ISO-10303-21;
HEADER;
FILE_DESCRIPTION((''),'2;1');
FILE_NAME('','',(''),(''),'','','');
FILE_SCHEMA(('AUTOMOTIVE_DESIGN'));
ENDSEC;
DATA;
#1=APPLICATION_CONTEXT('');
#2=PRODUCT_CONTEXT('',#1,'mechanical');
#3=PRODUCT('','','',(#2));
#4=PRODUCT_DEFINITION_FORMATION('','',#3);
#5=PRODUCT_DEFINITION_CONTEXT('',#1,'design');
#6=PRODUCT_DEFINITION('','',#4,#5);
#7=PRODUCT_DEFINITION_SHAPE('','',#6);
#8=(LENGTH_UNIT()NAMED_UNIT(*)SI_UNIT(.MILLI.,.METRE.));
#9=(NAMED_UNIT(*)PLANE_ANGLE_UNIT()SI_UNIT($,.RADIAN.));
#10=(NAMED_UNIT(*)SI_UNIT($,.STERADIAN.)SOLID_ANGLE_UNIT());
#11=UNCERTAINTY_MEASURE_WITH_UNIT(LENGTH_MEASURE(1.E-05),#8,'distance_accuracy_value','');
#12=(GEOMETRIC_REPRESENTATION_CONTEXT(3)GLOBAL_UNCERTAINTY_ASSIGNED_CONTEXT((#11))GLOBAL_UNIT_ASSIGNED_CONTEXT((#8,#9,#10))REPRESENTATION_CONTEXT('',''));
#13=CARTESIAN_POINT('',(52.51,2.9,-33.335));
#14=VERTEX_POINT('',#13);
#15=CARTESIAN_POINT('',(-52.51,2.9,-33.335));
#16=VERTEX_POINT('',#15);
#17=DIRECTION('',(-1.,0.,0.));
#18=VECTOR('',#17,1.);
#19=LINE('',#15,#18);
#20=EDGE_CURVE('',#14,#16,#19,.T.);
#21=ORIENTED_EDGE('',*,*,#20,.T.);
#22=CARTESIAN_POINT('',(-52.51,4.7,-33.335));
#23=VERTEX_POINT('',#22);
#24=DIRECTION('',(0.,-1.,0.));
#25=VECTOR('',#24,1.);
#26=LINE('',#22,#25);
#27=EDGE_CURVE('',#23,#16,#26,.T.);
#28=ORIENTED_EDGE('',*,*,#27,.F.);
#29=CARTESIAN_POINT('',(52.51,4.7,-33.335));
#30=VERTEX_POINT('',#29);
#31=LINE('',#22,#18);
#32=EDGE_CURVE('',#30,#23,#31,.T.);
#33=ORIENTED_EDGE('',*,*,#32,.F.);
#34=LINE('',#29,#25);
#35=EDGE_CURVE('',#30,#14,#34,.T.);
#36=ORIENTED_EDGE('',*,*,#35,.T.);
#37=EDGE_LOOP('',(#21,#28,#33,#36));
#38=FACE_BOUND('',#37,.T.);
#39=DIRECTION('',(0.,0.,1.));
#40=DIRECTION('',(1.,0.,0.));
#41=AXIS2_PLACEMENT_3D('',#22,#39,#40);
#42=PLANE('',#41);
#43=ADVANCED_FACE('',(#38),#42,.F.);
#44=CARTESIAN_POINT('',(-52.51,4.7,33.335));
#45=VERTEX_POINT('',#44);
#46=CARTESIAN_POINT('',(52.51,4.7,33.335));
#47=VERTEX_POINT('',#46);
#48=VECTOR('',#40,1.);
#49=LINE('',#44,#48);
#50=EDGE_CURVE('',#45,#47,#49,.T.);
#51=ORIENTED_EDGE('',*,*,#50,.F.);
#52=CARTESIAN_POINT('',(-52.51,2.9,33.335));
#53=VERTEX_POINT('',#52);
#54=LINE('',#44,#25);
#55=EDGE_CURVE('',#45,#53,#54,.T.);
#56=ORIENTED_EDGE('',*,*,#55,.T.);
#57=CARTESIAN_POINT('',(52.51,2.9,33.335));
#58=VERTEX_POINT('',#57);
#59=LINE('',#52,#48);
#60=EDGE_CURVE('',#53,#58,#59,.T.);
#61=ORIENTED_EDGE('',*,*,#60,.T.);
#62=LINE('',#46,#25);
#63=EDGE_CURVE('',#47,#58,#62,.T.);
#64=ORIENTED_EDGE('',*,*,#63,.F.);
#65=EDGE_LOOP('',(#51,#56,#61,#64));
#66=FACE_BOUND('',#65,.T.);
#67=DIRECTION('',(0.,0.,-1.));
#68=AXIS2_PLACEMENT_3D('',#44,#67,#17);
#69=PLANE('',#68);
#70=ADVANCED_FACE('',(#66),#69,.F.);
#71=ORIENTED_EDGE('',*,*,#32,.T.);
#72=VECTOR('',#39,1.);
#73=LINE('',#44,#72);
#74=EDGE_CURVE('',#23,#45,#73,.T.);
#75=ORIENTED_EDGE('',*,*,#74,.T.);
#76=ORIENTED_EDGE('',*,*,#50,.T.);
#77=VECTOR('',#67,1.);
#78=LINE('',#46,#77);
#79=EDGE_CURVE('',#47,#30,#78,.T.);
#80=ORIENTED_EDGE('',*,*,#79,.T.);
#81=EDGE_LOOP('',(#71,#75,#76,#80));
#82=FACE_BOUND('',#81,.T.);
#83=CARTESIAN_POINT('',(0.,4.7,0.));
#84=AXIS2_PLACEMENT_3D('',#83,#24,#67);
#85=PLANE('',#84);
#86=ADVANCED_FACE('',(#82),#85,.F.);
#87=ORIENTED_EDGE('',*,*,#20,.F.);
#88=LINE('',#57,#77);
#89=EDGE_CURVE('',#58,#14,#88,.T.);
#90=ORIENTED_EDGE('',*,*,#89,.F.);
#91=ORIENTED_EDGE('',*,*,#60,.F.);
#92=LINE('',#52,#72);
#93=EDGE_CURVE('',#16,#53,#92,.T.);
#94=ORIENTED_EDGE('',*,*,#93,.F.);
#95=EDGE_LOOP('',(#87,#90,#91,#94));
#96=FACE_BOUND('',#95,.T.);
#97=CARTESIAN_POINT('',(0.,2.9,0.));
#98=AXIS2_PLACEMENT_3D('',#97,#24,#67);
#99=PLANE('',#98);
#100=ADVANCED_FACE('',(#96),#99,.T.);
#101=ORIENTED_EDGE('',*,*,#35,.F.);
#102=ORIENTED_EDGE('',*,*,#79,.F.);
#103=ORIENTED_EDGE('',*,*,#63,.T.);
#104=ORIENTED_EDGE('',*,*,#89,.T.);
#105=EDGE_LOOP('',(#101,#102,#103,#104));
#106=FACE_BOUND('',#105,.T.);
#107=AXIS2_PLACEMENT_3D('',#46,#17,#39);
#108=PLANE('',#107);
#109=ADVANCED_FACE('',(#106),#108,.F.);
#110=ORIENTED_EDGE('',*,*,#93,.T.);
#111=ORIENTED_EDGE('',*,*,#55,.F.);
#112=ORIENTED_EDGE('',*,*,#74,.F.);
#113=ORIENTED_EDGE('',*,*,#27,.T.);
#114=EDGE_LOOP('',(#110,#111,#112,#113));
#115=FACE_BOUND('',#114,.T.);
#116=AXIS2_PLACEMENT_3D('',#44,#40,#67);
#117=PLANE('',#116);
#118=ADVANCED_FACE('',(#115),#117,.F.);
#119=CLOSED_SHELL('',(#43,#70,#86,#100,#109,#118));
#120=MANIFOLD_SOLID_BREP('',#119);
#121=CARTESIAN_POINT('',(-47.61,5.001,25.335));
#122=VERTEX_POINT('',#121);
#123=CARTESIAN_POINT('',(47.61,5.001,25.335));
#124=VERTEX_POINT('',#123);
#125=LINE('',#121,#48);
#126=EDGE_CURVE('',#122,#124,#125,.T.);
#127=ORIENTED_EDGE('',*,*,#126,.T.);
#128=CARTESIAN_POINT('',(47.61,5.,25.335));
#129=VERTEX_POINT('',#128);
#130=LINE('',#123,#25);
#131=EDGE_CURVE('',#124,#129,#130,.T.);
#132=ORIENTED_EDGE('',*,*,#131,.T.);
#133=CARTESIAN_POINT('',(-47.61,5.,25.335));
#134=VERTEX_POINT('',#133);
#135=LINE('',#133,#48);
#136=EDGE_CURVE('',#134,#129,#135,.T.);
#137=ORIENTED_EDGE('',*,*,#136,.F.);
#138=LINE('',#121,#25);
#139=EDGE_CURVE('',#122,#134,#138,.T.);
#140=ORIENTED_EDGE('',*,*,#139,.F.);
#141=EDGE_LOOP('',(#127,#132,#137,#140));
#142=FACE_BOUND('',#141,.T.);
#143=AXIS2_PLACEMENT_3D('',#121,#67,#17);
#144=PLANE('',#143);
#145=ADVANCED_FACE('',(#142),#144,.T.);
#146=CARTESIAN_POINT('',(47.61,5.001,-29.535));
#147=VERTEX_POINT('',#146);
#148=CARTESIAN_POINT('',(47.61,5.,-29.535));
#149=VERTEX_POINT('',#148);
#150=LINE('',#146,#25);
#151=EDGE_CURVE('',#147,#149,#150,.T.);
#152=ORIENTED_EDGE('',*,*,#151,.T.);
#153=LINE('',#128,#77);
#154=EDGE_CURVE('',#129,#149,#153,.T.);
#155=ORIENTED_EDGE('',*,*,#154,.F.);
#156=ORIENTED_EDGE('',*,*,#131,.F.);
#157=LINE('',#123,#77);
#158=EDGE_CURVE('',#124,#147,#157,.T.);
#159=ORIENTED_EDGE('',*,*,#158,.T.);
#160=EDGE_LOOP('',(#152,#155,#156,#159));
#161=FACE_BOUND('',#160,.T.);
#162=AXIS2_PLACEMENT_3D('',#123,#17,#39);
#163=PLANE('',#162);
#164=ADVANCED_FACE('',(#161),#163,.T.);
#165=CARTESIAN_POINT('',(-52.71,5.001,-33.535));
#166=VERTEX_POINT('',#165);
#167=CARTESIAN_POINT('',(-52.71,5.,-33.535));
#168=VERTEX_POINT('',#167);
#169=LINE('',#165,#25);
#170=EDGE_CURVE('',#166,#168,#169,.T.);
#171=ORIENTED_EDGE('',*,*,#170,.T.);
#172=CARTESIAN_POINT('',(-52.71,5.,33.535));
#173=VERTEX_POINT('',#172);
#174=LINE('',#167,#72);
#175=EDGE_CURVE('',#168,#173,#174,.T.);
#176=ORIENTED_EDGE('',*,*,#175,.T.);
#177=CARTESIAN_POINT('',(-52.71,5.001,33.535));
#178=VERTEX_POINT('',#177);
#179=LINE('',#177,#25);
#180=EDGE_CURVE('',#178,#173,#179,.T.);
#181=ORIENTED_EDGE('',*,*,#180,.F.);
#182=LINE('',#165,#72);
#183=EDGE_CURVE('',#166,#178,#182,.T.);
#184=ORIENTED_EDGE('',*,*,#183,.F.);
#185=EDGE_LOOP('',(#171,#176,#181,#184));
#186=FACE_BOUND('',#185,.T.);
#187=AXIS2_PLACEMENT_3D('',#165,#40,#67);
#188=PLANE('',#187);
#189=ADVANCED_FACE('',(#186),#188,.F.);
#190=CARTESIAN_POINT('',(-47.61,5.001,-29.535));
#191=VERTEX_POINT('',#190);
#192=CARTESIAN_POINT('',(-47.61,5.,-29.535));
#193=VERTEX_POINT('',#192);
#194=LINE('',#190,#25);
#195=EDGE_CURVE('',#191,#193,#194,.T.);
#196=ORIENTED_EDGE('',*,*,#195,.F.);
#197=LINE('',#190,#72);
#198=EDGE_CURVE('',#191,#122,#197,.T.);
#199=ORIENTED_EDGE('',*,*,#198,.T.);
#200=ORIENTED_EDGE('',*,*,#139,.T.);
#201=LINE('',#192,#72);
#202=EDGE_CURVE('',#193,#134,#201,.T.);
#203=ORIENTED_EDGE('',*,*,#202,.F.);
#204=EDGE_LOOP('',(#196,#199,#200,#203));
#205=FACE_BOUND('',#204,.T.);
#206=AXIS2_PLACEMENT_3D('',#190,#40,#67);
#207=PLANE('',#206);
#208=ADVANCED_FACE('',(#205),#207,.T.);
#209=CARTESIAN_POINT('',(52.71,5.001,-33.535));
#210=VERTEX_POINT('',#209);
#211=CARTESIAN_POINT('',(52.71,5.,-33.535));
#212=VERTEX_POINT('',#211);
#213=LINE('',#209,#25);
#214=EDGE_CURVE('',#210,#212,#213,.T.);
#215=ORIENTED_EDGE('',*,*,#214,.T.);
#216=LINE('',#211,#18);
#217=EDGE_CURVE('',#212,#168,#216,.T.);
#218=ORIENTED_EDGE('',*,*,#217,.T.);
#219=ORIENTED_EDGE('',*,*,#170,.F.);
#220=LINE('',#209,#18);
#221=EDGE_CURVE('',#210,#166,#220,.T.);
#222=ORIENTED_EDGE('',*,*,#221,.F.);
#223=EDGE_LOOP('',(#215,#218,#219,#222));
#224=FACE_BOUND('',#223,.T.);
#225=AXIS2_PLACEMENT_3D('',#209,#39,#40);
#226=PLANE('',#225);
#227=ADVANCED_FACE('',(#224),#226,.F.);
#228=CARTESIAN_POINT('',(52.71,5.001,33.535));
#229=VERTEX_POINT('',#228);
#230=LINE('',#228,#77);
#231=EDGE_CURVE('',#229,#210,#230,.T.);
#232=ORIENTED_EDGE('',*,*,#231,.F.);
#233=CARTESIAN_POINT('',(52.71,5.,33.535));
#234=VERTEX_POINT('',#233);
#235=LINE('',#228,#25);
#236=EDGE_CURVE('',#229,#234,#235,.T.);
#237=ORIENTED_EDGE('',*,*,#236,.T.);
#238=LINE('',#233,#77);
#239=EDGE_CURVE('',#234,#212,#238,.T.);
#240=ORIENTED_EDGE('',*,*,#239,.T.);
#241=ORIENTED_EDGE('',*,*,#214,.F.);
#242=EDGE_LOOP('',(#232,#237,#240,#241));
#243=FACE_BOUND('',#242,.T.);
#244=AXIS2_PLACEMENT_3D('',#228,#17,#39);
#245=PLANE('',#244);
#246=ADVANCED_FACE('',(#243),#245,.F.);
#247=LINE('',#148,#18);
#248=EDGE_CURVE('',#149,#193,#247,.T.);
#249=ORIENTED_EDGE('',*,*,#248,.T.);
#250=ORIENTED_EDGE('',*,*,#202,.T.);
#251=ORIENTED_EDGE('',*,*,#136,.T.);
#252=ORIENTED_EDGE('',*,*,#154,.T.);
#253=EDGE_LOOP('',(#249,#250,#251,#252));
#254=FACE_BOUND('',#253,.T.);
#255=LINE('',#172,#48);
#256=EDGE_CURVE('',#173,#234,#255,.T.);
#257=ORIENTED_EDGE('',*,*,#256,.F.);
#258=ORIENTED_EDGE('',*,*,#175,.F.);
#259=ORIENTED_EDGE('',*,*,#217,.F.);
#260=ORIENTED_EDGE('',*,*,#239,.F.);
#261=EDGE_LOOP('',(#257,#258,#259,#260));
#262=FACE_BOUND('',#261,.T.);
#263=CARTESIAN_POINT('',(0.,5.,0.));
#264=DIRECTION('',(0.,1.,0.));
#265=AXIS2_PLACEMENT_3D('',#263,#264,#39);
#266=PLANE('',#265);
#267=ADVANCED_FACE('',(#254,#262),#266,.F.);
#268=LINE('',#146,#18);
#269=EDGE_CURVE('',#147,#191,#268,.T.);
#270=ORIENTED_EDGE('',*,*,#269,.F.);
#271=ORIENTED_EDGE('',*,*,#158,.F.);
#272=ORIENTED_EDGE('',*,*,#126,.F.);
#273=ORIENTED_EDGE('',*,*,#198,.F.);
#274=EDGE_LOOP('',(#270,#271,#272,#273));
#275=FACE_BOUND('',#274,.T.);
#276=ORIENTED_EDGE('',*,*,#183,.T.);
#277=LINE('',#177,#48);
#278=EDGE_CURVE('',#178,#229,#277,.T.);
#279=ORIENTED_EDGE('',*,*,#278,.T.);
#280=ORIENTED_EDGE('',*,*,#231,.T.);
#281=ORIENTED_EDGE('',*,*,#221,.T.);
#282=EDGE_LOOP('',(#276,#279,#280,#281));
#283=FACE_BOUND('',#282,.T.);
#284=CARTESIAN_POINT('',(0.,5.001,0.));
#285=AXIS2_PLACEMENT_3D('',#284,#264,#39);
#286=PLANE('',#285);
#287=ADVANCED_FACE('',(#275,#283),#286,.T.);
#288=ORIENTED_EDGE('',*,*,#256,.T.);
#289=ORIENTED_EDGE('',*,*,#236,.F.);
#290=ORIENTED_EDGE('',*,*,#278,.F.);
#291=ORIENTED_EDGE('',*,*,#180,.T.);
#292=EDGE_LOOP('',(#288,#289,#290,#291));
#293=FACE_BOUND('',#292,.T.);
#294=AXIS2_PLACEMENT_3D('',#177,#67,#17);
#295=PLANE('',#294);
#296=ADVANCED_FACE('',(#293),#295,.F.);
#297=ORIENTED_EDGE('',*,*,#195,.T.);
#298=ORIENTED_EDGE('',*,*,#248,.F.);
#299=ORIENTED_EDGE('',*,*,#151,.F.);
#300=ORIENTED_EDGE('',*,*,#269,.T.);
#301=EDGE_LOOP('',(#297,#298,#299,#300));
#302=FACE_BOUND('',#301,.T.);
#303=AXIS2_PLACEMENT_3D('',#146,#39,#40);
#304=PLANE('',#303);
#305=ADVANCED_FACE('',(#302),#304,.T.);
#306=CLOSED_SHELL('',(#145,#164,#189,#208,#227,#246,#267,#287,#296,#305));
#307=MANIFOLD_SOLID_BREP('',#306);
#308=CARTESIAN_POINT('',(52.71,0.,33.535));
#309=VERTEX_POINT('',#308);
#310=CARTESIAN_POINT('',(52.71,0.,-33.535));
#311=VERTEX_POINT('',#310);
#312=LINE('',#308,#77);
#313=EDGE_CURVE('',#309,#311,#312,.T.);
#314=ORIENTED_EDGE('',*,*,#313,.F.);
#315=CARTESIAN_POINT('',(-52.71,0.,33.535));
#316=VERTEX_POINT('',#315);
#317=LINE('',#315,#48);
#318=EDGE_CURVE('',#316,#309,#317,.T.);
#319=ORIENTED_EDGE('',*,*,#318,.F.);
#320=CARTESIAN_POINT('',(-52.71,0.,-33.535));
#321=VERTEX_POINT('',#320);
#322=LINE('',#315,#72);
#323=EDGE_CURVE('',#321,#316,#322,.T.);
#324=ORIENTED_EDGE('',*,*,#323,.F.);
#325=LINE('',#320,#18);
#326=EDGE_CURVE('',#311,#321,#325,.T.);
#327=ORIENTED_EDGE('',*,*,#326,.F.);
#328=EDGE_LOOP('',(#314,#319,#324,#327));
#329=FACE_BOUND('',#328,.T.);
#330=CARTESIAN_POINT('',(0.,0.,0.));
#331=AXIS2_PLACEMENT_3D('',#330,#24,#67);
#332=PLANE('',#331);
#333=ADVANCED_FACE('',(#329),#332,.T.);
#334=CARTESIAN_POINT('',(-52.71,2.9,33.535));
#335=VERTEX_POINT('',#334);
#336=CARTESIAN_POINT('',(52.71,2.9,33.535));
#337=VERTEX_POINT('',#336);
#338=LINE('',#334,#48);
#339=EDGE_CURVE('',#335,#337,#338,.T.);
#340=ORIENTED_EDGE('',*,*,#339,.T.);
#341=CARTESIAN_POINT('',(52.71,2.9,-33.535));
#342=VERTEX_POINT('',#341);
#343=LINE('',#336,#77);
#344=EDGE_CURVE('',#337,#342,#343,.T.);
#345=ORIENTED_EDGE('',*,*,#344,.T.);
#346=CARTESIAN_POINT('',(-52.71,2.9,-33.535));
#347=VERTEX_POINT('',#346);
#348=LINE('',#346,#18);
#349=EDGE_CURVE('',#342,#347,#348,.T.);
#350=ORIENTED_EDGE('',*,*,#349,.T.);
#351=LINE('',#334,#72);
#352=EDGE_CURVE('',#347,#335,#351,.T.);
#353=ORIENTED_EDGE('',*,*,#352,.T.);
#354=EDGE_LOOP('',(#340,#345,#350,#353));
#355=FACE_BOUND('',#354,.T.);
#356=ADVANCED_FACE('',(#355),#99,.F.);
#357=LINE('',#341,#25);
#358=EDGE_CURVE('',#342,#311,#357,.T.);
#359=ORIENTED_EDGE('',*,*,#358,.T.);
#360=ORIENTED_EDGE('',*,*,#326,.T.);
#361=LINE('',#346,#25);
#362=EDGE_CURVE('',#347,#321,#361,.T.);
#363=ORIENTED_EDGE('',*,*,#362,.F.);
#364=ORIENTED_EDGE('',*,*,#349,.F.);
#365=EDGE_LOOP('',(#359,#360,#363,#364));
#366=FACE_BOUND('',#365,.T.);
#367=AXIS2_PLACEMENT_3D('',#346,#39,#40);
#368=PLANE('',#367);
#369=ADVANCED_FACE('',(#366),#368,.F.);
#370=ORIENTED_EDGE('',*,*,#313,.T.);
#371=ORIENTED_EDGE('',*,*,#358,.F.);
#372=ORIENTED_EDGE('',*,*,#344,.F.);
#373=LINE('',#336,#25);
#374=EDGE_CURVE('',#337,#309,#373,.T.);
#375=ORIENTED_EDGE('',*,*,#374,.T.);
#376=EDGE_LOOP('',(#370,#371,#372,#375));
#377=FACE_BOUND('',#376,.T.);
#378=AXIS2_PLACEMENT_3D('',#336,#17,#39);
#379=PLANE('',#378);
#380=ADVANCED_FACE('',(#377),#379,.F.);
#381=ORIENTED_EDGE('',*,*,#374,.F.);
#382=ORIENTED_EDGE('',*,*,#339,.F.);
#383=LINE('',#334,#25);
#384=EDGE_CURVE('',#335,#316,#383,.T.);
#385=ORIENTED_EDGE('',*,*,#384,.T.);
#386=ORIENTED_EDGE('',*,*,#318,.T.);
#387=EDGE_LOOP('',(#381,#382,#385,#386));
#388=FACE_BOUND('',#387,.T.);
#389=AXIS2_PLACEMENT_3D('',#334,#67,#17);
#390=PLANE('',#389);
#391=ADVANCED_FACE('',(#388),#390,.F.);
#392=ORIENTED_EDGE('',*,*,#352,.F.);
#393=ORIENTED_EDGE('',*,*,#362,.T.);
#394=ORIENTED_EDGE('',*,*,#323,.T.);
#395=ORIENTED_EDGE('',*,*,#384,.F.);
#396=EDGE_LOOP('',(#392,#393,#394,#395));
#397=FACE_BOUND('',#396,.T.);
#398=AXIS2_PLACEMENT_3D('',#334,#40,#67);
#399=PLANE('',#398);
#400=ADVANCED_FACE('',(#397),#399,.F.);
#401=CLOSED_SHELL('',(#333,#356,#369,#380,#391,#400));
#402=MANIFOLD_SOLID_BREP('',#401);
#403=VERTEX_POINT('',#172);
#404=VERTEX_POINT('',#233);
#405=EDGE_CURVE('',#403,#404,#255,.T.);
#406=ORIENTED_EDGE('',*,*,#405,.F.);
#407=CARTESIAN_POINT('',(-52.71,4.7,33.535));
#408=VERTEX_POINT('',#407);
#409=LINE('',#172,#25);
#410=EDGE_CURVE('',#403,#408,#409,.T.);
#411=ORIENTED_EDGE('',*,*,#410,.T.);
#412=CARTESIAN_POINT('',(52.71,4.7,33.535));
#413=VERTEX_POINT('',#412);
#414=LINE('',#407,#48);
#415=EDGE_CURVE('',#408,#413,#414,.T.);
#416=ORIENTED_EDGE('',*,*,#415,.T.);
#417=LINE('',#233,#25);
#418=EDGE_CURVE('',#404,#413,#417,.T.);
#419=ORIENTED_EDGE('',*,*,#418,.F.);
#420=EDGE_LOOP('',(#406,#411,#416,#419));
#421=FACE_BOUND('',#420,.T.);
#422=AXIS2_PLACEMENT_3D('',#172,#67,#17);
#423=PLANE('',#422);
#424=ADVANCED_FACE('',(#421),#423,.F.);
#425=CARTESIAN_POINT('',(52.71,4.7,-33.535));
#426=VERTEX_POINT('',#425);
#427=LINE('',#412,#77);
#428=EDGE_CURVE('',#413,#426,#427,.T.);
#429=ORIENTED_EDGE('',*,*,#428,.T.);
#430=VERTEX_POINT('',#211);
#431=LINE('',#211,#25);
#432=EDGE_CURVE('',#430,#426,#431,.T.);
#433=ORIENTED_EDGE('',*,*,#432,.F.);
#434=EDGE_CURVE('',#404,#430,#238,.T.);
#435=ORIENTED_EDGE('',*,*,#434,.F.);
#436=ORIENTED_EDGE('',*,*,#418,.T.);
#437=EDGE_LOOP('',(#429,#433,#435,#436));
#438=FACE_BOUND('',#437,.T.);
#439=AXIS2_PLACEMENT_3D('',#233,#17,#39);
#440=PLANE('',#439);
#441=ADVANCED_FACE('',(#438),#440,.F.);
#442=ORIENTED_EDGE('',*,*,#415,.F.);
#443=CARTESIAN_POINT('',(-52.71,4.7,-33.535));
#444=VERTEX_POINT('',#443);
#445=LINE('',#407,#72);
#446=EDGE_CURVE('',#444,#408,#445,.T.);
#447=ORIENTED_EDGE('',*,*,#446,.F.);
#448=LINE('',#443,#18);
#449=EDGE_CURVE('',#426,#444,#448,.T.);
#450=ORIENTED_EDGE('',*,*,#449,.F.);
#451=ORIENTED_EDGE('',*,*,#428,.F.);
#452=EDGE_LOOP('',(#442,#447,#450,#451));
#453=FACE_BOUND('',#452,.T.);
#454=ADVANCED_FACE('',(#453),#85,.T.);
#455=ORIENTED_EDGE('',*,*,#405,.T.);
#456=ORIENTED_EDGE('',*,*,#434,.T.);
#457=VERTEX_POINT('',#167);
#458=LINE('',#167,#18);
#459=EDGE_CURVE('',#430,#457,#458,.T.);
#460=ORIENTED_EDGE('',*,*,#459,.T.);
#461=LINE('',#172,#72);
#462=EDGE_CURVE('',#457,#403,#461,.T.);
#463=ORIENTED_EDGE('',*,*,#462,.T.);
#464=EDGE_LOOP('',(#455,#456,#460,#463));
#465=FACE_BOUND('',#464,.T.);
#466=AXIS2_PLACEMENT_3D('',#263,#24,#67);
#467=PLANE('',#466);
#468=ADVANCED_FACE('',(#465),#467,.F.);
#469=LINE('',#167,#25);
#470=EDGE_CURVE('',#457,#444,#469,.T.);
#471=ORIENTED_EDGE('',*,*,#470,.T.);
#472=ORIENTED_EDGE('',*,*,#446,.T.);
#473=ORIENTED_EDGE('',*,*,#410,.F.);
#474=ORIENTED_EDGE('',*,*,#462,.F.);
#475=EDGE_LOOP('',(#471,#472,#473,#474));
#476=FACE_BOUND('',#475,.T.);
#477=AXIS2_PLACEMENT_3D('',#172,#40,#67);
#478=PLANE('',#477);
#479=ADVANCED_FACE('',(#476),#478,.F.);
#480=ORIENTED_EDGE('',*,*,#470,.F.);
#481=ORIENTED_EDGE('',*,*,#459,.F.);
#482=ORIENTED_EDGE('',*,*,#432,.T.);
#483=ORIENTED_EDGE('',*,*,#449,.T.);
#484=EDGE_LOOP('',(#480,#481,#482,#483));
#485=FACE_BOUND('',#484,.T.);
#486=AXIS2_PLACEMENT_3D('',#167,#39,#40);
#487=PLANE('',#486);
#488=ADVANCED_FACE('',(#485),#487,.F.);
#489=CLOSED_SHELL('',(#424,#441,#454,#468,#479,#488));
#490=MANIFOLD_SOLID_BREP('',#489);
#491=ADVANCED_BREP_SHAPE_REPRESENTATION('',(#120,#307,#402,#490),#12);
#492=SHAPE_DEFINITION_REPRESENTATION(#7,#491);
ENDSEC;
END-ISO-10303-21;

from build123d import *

# Parameters (mm, degrees)
SKETCH1_W           = 105.42
SKETCH1_H           = 67.07
BOSS_EXTRUDE1_DEPTH = 2.9
SKETCH2_W           = 105.02
SKETCH2_H           = 66.67
BOSS_EXTRUDE2_DEPTH = 1.8
SKETCH3_W           = 105.42
SKETCH3_H           = 67.07
BOSS_EXTRUDE3_DEPTH = 0.3
SKETCH4_W           = 105.42
SKETCH4_H           = 67.07
SKETCH4_W_2         = 95.22
SKETCH4_H_2         = 54.87
BOSS_EXTRUDE4_DEPTH = 0.001


with BuildPart() as part:
    # Sketch1 → Boss-Extrude1 (new body)
    with BuildSketch(Plane(origin=(0, 0, 0), x_dir=(1, 0, 0), z_dir=(0, 1, 0))):
        Rectangle(SKETCH1_W, SKETCH1_H)
    extrude(amount=BOSS_EXTRUDE1_DEPTH)


with BuildPart() as body_2:
    # Sketch2 → Boss-Extrude2 (new body)
    with BuildSketch(Plane(origin=(0, 2.9, 0), x_dir=(1, 0, 0), z_dir=(0, 1, 0))):
        Rectangle(SKETCH2_W, SKETCH2_H)
    extrude(amount=BOSS_EXTRUDE2_DEPTH)


with BuildPart() as body_3:
    # Sketch3 → Boss-Extrude3 (new body)
    with BuildSketch(Plane(origin=(0, 4.7, 0), x_dir=(1, 0, 0), z_dir=(0, 1, 0))):
        Rectangle(SKETCH3_W, SKETCH3_H)
    extrude(amount=BOSS_EXTRUDE3_DEPTH)


with BuildPart() as body_4:
    # Sketch4 → Boss-Extrude4 (new body)
    with BuildSketch(Plane(origin=(0, 5, 0), x_dir=(1, 0, 0), z_dir=(0, 1, 0))):
        Rectangle(SKETCH4_W, SKETCH4_H)
        with Locations((0, 2.1)):
            Rectangle(SKETCH4_W_2, SKETCH4_H_2, mode=Mode.SUBTRACT)
    extrude(amount=BOSS_EXTRUDE4_DEPTH)


solid = Compound([part.part, body_2.part, body_3.part, body_4.part])
